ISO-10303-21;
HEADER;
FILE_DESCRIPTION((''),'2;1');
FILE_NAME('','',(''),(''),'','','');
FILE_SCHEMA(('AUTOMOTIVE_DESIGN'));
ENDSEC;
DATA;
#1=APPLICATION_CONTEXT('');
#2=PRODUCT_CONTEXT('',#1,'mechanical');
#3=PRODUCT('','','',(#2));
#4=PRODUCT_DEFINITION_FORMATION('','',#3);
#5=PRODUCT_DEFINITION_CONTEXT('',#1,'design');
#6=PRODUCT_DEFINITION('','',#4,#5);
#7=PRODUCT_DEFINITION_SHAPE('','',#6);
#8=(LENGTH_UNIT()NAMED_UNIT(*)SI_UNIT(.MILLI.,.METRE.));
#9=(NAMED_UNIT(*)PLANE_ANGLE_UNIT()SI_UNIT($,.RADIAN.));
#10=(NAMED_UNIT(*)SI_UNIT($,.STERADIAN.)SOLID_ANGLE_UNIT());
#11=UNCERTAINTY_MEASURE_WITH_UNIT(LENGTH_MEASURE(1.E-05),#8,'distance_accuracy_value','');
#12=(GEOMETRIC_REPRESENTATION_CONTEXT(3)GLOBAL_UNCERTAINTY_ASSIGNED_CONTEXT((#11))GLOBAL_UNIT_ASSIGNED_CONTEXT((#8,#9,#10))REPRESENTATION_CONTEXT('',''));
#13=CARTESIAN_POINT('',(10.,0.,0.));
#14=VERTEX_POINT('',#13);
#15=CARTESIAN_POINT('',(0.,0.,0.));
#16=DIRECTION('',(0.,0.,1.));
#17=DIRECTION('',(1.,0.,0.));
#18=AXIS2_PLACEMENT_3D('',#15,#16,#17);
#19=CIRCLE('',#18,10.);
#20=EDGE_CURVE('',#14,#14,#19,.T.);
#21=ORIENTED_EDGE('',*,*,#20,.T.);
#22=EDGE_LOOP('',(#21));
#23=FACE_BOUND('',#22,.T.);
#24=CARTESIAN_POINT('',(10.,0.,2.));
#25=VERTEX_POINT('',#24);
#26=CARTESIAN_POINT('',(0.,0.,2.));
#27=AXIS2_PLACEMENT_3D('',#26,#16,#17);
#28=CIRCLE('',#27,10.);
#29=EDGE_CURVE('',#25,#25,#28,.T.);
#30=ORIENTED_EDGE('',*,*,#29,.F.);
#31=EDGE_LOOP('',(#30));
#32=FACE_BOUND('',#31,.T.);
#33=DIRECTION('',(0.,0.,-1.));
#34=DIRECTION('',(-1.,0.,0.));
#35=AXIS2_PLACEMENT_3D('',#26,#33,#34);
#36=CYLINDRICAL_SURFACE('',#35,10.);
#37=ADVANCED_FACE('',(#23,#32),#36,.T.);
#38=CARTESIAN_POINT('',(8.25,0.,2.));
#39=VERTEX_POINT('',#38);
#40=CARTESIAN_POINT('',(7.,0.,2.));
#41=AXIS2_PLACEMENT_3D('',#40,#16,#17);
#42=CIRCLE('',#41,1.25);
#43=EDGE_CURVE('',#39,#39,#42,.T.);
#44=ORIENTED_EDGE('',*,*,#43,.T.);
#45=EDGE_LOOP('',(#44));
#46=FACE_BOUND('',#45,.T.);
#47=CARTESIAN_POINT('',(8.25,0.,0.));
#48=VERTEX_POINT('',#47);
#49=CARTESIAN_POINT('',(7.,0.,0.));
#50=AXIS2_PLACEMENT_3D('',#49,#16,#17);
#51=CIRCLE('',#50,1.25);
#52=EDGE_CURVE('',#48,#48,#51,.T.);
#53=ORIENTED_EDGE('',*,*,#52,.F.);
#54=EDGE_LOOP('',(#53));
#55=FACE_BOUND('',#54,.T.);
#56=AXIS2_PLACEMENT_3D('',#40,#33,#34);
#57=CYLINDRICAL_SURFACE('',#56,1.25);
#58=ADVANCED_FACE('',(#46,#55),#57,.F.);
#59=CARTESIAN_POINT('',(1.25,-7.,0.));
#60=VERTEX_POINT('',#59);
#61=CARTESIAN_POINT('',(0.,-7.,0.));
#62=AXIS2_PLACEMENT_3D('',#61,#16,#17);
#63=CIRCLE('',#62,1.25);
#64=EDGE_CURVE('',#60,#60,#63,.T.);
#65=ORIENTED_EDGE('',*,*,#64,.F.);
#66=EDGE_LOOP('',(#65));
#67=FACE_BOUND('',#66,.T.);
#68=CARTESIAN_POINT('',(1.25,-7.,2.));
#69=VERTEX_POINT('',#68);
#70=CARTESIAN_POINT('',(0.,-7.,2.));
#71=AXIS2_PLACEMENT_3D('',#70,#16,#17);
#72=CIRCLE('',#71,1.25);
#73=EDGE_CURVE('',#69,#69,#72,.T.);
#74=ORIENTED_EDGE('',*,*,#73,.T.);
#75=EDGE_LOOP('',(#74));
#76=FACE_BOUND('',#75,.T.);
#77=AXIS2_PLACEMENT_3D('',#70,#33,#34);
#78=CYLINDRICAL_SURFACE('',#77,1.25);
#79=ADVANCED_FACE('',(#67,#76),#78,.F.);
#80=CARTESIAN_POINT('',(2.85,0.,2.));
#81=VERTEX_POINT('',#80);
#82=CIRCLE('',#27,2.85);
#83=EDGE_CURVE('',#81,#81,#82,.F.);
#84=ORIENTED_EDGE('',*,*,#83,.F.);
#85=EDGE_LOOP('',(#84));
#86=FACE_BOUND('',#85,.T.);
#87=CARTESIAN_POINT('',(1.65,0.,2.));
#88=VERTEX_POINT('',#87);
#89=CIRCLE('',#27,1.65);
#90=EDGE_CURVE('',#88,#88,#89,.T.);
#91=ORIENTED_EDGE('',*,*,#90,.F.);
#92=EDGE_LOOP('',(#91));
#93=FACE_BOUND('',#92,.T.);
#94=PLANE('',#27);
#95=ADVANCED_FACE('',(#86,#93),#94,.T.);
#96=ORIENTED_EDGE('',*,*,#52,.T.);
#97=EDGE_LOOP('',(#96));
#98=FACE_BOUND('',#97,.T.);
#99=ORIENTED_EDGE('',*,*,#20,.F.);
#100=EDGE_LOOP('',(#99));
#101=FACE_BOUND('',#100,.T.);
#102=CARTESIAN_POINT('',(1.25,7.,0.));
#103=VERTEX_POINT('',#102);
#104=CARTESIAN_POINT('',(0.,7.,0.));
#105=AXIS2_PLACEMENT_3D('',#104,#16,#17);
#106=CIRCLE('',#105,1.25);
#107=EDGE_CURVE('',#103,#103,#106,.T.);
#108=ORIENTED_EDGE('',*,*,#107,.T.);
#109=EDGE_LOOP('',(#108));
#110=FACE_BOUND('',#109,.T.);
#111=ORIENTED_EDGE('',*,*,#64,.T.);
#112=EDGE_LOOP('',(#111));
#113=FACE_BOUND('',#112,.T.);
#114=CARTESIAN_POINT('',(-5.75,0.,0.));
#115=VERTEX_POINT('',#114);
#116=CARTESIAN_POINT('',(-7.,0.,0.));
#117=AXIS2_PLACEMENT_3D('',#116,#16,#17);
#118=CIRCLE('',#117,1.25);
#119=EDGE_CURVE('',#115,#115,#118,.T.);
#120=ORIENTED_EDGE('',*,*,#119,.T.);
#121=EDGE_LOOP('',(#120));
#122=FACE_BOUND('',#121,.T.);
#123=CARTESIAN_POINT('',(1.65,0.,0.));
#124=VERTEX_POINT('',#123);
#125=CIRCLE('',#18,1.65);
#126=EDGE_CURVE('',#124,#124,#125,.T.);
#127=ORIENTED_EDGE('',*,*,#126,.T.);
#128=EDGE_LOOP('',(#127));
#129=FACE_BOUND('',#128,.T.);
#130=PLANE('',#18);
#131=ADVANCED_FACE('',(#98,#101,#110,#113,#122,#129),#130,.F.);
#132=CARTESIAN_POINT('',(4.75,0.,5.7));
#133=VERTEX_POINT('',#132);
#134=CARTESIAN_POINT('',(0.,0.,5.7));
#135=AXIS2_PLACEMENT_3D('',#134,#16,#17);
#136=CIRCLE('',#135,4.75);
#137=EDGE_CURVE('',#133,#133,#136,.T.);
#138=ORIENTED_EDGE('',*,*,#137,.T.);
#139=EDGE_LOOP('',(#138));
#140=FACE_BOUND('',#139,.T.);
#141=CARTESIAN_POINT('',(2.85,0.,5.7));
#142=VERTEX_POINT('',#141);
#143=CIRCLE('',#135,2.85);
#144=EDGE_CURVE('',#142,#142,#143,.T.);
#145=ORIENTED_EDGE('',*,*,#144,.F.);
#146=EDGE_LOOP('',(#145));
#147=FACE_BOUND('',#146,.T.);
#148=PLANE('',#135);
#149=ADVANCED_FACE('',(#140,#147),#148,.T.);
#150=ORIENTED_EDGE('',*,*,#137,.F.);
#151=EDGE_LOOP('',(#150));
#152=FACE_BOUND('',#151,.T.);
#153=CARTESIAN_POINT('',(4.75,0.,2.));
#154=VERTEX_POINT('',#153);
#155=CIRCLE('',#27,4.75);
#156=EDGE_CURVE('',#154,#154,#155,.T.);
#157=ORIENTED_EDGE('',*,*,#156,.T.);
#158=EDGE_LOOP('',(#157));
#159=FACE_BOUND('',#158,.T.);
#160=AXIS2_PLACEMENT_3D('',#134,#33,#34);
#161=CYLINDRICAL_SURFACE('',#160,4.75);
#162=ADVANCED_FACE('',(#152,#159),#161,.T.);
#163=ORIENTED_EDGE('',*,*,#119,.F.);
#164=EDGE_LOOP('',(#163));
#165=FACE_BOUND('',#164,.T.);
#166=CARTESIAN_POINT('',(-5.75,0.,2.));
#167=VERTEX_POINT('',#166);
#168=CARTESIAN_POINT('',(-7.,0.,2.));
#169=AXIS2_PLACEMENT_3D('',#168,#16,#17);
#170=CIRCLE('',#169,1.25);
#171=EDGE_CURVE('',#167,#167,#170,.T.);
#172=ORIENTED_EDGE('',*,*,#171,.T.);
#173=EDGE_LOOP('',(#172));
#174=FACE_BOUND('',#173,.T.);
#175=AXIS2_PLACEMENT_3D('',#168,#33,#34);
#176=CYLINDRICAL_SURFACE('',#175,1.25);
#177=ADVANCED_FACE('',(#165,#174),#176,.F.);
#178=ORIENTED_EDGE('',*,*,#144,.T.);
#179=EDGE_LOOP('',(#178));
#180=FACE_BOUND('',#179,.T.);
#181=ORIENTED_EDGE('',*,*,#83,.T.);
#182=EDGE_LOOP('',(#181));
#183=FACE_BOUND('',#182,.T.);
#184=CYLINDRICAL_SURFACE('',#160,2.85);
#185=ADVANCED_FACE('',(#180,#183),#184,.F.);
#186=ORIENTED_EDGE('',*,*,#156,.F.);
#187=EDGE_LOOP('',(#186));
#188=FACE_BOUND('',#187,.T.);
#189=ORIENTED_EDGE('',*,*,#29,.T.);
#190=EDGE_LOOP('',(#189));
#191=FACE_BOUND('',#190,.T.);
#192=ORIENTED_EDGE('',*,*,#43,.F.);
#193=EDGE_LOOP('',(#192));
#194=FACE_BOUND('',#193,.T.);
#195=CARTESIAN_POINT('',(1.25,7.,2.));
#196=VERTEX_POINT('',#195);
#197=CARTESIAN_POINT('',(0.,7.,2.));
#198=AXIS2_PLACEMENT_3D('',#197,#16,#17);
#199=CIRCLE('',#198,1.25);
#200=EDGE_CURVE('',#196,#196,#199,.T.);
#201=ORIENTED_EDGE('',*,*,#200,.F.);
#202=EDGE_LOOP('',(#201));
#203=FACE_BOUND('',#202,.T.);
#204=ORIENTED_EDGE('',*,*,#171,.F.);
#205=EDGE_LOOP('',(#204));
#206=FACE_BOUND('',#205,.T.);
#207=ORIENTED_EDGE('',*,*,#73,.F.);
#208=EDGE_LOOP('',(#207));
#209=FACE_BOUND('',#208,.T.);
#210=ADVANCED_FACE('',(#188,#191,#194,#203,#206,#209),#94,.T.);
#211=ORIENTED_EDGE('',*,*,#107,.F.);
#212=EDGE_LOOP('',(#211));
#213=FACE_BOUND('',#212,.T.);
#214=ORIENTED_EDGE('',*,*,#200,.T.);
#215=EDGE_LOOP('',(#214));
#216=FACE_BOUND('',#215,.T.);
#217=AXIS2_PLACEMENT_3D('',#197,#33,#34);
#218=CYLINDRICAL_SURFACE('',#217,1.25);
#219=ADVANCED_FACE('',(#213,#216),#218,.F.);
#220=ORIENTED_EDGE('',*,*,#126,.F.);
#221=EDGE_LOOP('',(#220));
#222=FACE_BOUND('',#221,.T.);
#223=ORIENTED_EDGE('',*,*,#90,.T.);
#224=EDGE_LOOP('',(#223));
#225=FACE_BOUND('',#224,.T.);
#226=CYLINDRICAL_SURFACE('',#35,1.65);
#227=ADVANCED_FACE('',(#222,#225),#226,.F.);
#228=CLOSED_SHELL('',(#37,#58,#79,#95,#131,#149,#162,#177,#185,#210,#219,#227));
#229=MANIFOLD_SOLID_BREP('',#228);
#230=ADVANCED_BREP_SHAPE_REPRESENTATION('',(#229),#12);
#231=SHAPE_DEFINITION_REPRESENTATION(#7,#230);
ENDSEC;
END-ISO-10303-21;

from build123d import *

# Parameters (mm, degrees)
ESQUISSE1_R        = 10
ESQUISSE1_R_2      = 1.65
ESQUISSE1_R_3      = 1.25
BOSS_EXTRU_1_DEPTH = 2
ESQUISSE2_R        = 4.75
ESQUISSE2_R_2      = 2.85
BOSS_EXTRU_2_DEPTH = 3.7


with BuildPart() as part:
    # Esquisse1 → Boss.-Extru.1 (new body)
    with BuildSketch(Plane.XY):
        Circle(ESQUISSE1_R)
        Circle(ESQUISSE1_R_2, mode=Mode.SUBTRACT)
        with Locations((0, 7)):
            Circle(ESQUISSE1_R_3, mode=Mode.SUBTRACT)
        with Locations((7, 0)):
            Circle(ESQUISSE1_R_3, mode=Mode.SUBTRACT)
        with Locations((0, -7)):
            Circle(ESQUISSE1_R_3, mode=Mode.SUBTRACT)
        with Locations((-7, 0)):
            Circle(ESQUISSE1_R_3, mode=Mode.SUBTRACT)
    extrude(amount=BOSS_EXTRU_1_DEPTH)

    # Esquisse2 → Boss.-Extru.2 (add)
    with BuildSketch(Plane.XY.offset(2)):
        Circle(ESQUISSE2_R)
        Circle(ESQUISSE2_R_2, mode=Mode.SUBTRACT)
    extrude(amount=BOSS_EXTRU_2_DEPTH)


solid = part.part
